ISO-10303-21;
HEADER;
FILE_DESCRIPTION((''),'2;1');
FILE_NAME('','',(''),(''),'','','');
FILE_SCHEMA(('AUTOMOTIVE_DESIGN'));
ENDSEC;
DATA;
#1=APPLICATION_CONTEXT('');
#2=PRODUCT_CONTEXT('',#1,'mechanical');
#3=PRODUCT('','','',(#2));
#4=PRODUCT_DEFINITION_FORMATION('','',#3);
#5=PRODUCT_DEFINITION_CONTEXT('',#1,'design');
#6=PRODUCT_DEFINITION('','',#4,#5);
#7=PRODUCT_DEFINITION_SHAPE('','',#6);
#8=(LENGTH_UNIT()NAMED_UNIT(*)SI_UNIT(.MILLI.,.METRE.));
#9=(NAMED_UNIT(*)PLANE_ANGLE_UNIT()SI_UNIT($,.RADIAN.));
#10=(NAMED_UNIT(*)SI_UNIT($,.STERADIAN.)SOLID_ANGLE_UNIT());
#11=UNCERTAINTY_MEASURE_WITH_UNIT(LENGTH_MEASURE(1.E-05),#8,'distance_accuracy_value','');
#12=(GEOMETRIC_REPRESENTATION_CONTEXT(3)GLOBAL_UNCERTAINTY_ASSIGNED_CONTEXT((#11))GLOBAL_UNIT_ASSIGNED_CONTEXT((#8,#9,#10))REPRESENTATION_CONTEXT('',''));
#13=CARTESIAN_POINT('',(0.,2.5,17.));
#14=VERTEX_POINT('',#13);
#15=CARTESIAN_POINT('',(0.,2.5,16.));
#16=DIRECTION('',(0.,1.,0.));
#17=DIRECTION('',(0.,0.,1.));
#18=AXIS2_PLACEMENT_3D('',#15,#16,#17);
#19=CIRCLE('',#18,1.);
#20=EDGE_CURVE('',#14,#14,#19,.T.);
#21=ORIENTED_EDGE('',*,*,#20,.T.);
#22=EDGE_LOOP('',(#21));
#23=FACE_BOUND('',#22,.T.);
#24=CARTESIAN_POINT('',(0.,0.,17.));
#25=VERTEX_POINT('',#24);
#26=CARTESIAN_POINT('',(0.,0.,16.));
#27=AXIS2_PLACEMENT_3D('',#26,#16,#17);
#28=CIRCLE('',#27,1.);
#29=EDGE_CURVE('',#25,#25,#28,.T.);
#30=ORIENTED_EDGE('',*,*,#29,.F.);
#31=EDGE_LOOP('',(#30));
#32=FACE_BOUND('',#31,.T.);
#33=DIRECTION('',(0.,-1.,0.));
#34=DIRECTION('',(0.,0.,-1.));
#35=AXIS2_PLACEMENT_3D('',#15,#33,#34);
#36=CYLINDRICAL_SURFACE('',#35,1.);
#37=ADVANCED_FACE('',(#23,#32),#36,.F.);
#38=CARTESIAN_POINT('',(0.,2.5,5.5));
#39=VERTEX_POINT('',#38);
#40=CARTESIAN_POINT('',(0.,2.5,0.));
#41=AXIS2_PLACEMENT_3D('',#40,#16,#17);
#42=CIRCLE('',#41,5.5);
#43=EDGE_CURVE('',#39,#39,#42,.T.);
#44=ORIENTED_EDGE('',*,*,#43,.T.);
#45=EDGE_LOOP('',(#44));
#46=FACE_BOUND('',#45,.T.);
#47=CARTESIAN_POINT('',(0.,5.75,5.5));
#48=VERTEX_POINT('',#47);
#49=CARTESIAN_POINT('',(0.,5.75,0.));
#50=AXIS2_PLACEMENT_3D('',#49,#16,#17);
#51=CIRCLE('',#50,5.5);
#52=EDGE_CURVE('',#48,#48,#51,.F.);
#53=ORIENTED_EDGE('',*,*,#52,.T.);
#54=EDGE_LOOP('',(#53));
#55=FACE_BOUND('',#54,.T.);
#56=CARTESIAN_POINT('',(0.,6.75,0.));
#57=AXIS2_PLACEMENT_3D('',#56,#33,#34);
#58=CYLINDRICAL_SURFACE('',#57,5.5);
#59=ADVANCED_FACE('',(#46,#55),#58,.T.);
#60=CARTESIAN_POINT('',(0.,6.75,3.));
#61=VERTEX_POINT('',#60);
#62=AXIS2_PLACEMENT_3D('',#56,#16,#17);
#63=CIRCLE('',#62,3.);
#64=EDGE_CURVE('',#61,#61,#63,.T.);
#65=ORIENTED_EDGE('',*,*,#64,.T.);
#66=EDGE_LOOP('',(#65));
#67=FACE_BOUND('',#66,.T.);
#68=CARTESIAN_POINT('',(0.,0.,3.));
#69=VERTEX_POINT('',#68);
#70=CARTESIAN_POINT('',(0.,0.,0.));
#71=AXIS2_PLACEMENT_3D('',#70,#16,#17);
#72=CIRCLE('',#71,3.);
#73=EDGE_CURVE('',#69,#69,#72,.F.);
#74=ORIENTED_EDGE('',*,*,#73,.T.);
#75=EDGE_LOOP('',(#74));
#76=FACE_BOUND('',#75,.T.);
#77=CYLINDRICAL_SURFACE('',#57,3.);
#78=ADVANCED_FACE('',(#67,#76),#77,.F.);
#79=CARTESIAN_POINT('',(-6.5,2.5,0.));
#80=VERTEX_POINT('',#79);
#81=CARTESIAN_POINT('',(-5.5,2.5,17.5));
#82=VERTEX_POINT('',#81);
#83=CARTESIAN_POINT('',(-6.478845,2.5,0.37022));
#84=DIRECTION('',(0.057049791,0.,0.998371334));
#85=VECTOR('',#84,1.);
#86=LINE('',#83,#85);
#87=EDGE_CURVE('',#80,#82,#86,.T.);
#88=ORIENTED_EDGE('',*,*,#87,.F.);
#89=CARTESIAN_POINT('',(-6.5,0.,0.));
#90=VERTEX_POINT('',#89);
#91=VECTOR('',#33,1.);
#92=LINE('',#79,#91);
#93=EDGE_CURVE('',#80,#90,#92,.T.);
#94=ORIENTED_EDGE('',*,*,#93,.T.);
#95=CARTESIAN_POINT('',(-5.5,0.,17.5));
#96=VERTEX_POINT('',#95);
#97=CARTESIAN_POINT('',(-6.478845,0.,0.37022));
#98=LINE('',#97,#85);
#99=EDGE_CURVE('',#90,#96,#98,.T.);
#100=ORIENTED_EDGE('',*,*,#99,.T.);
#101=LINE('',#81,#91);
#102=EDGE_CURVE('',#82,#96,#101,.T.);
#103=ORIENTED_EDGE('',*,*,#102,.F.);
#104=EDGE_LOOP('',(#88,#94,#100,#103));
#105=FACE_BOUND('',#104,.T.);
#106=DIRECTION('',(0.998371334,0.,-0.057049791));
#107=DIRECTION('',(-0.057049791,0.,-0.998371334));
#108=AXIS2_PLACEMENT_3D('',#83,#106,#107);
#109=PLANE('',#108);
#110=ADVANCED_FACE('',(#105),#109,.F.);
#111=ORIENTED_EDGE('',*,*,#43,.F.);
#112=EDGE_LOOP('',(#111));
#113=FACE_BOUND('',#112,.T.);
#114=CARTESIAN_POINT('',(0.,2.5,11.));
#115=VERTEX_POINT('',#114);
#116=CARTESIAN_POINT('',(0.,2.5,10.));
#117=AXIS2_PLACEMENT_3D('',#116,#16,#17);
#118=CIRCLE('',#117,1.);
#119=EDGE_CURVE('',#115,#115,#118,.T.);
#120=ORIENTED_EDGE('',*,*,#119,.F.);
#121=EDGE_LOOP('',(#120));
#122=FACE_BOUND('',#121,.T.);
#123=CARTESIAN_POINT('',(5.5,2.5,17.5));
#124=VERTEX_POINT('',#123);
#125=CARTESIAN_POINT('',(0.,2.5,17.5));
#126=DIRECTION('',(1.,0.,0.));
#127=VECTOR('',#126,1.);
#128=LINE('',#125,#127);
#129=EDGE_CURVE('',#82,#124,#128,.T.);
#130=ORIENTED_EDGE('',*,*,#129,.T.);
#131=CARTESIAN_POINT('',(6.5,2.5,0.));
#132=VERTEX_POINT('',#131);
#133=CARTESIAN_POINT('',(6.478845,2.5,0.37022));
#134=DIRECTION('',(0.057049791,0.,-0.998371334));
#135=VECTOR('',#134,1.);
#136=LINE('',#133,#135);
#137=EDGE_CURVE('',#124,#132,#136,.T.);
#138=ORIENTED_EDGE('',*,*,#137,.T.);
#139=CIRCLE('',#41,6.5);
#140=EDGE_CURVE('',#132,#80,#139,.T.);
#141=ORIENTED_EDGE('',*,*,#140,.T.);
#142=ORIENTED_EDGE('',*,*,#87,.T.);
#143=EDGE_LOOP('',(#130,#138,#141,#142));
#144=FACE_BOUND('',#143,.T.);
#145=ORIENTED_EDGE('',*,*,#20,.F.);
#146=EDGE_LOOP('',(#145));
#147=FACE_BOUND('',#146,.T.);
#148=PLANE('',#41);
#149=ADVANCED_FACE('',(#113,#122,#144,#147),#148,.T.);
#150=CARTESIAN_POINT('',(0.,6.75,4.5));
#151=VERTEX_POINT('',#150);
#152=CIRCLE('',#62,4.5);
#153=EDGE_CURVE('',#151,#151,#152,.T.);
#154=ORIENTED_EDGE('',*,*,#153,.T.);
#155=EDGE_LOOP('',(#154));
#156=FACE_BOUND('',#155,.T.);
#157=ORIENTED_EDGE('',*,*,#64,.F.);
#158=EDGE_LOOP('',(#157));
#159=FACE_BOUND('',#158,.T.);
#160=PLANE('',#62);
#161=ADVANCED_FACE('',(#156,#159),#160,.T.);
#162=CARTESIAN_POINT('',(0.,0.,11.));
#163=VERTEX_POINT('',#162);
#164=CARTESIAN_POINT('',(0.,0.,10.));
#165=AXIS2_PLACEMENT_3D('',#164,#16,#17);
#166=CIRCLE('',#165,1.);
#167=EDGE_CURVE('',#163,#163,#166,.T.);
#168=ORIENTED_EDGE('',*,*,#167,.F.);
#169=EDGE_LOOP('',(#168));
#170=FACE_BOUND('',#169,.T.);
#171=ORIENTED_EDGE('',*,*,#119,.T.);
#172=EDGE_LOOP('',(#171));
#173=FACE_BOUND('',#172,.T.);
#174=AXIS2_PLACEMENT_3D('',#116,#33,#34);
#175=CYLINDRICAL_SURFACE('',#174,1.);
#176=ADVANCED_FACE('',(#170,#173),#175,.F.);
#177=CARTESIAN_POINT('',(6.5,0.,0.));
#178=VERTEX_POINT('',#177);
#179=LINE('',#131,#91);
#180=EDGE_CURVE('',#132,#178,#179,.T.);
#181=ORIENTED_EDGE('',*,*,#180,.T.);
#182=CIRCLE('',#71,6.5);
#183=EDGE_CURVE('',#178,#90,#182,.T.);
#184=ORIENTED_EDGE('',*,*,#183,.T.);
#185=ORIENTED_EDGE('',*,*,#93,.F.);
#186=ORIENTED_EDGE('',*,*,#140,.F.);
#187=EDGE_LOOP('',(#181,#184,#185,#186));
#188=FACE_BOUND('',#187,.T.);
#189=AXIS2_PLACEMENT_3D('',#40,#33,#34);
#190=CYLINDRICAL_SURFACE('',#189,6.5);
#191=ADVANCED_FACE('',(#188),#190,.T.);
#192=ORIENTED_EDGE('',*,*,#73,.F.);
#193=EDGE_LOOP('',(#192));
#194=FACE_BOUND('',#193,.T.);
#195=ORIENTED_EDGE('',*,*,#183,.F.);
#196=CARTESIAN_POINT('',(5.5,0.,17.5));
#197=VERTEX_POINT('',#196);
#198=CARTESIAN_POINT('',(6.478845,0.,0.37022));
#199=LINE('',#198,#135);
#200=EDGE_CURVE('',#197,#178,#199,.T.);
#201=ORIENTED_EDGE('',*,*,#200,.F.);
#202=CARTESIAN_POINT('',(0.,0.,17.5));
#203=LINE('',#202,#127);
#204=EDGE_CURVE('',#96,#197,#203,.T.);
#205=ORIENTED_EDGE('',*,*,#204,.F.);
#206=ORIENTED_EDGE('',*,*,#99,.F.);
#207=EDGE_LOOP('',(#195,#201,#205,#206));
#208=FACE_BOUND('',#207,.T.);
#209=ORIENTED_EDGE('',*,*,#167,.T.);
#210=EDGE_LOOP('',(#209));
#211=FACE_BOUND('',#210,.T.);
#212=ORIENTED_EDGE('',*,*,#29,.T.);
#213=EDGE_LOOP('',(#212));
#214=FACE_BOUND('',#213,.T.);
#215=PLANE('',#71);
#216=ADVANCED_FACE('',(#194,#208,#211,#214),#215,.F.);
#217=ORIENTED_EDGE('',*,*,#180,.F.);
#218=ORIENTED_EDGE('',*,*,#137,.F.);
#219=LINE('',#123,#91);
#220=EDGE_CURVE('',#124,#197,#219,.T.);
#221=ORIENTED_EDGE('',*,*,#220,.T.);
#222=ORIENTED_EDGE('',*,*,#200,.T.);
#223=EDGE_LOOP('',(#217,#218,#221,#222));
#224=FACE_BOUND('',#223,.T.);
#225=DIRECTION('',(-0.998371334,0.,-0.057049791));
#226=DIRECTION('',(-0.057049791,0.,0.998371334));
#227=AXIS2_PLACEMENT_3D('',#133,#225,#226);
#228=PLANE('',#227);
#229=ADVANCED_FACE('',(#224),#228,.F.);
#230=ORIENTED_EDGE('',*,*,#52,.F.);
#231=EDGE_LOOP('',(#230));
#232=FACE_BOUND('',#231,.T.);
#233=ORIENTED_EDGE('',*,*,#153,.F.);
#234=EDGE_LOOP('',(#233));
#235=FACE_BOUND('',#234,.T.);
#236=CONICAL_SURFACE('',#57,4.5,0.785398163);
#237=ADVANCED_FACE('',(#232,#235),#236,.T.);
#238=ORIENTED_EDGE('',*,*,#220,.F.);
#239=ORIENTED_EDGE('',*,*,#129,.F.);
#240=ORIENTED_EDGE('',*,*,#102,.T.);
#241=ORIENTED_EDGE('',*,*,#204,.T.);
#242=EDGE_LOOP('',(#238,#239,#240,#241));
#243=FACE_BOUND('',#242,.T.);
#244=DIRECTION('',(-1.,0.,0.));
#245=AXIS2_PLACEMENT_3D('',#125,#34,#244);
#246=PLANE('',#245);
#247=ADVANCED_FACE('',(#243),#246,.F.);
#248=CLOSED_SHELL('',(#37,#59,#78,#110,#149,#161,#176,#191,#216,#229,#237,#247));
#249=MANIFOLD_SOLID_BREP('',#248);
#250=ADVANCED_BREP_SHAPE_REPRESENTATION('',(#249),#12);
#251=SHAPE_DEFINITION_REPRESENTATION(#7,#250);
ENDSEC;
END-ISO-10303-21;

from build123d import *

# Parameters (mm, degrees)
SKETCH1_R           = 1
BOSS_EXTRUDE1_DEPTH = 2.5
SKETCH2_R           = 5.5
SKETCH2_R_2         = 3
BOSS_EXTRUDE3_DEPTH = 4.25
CUT_EXTRUDE1_REACH  = 4.5
SKETCH4_R           = 3
CHAMFER1_SIZE       = 1


with BuildPart() as part:
    # Sketch1 → Boss-Extrude1 (new body)
    with BuildSketch(Plane(origin=(0, 0, 0), x_dir=(1, 0, 0), z_dir=(0, 1, 0))):
        with BuildLine():
            ThreePointArc((6.5, 0), (0, 6.5), (-6.5, 0))
            Line((-6.5, 0), (-6.457689178, -0.740439382))
            Line((-6.457689178, -0.740439382), (-5.5, -17.5))
            Line((-5.5, -17.5), (5.5, -17.5))
            Line((5.5, -17.5), (6.457689178, -0.740439382))
            Line((6.457689178, -0.740439382), (6.5, 0))
        make_face()
        with Locations((0, -16)):
            Circle(SKETCH1_R, mode=Mode.SUBTRACT)
        with Locations((0, -10)):
            Circle(SKETCH1_R, mode=Mode.SUBTRACT)
    extrude(amount=BOSS_EXTRUDE1_DEPTH)

    # Sketch2 → Boss-Extrude3 (add)
    with BuildSketch(Plane(origin=(0, 2.5, 0), x_dir=(1, 0, 0), z_dir=(0, 1, 0))):
        Circle(SKETCH2_R)
        Circle(SKETCH2_R_2, mode=Mode.SUBTRACT)
    extrude(amount=BOSS_EXTRUDE3_DEPTH)

    # Sketch4 → Cut-Extrude1 (cut, up to next)
    with BuildSketch(Plane(origin=(0, 2.5, 0), x_dir=(1, 0, 0), z_dir=(0, 1, 0)), mode=Mode.PRIVATE) as cut_extrude1_sk1:
        Circle(SKETCH4_R)
    cut_extrude1_tool1 = extrude(cut_extrude1_sk1.sketch, amount=-CUT_EXTRUDE1_REACH, mode=Mode.PRIVATE) & part.part
    add(cut_extrude1_tool1.solids().sort_by_distance((0, 2.5, 0))[0], mode=Mode.SUBTRACT)

    # Chamfer1
    chamfer1_edges = [part.edges().sort_by_distance(p)[0] for p in [
        (-5.5, 6.75, 0),
    ]]
    chamfer(chamfer1_edges, length=CHAMFER1_SIZE)


solid = part.part
